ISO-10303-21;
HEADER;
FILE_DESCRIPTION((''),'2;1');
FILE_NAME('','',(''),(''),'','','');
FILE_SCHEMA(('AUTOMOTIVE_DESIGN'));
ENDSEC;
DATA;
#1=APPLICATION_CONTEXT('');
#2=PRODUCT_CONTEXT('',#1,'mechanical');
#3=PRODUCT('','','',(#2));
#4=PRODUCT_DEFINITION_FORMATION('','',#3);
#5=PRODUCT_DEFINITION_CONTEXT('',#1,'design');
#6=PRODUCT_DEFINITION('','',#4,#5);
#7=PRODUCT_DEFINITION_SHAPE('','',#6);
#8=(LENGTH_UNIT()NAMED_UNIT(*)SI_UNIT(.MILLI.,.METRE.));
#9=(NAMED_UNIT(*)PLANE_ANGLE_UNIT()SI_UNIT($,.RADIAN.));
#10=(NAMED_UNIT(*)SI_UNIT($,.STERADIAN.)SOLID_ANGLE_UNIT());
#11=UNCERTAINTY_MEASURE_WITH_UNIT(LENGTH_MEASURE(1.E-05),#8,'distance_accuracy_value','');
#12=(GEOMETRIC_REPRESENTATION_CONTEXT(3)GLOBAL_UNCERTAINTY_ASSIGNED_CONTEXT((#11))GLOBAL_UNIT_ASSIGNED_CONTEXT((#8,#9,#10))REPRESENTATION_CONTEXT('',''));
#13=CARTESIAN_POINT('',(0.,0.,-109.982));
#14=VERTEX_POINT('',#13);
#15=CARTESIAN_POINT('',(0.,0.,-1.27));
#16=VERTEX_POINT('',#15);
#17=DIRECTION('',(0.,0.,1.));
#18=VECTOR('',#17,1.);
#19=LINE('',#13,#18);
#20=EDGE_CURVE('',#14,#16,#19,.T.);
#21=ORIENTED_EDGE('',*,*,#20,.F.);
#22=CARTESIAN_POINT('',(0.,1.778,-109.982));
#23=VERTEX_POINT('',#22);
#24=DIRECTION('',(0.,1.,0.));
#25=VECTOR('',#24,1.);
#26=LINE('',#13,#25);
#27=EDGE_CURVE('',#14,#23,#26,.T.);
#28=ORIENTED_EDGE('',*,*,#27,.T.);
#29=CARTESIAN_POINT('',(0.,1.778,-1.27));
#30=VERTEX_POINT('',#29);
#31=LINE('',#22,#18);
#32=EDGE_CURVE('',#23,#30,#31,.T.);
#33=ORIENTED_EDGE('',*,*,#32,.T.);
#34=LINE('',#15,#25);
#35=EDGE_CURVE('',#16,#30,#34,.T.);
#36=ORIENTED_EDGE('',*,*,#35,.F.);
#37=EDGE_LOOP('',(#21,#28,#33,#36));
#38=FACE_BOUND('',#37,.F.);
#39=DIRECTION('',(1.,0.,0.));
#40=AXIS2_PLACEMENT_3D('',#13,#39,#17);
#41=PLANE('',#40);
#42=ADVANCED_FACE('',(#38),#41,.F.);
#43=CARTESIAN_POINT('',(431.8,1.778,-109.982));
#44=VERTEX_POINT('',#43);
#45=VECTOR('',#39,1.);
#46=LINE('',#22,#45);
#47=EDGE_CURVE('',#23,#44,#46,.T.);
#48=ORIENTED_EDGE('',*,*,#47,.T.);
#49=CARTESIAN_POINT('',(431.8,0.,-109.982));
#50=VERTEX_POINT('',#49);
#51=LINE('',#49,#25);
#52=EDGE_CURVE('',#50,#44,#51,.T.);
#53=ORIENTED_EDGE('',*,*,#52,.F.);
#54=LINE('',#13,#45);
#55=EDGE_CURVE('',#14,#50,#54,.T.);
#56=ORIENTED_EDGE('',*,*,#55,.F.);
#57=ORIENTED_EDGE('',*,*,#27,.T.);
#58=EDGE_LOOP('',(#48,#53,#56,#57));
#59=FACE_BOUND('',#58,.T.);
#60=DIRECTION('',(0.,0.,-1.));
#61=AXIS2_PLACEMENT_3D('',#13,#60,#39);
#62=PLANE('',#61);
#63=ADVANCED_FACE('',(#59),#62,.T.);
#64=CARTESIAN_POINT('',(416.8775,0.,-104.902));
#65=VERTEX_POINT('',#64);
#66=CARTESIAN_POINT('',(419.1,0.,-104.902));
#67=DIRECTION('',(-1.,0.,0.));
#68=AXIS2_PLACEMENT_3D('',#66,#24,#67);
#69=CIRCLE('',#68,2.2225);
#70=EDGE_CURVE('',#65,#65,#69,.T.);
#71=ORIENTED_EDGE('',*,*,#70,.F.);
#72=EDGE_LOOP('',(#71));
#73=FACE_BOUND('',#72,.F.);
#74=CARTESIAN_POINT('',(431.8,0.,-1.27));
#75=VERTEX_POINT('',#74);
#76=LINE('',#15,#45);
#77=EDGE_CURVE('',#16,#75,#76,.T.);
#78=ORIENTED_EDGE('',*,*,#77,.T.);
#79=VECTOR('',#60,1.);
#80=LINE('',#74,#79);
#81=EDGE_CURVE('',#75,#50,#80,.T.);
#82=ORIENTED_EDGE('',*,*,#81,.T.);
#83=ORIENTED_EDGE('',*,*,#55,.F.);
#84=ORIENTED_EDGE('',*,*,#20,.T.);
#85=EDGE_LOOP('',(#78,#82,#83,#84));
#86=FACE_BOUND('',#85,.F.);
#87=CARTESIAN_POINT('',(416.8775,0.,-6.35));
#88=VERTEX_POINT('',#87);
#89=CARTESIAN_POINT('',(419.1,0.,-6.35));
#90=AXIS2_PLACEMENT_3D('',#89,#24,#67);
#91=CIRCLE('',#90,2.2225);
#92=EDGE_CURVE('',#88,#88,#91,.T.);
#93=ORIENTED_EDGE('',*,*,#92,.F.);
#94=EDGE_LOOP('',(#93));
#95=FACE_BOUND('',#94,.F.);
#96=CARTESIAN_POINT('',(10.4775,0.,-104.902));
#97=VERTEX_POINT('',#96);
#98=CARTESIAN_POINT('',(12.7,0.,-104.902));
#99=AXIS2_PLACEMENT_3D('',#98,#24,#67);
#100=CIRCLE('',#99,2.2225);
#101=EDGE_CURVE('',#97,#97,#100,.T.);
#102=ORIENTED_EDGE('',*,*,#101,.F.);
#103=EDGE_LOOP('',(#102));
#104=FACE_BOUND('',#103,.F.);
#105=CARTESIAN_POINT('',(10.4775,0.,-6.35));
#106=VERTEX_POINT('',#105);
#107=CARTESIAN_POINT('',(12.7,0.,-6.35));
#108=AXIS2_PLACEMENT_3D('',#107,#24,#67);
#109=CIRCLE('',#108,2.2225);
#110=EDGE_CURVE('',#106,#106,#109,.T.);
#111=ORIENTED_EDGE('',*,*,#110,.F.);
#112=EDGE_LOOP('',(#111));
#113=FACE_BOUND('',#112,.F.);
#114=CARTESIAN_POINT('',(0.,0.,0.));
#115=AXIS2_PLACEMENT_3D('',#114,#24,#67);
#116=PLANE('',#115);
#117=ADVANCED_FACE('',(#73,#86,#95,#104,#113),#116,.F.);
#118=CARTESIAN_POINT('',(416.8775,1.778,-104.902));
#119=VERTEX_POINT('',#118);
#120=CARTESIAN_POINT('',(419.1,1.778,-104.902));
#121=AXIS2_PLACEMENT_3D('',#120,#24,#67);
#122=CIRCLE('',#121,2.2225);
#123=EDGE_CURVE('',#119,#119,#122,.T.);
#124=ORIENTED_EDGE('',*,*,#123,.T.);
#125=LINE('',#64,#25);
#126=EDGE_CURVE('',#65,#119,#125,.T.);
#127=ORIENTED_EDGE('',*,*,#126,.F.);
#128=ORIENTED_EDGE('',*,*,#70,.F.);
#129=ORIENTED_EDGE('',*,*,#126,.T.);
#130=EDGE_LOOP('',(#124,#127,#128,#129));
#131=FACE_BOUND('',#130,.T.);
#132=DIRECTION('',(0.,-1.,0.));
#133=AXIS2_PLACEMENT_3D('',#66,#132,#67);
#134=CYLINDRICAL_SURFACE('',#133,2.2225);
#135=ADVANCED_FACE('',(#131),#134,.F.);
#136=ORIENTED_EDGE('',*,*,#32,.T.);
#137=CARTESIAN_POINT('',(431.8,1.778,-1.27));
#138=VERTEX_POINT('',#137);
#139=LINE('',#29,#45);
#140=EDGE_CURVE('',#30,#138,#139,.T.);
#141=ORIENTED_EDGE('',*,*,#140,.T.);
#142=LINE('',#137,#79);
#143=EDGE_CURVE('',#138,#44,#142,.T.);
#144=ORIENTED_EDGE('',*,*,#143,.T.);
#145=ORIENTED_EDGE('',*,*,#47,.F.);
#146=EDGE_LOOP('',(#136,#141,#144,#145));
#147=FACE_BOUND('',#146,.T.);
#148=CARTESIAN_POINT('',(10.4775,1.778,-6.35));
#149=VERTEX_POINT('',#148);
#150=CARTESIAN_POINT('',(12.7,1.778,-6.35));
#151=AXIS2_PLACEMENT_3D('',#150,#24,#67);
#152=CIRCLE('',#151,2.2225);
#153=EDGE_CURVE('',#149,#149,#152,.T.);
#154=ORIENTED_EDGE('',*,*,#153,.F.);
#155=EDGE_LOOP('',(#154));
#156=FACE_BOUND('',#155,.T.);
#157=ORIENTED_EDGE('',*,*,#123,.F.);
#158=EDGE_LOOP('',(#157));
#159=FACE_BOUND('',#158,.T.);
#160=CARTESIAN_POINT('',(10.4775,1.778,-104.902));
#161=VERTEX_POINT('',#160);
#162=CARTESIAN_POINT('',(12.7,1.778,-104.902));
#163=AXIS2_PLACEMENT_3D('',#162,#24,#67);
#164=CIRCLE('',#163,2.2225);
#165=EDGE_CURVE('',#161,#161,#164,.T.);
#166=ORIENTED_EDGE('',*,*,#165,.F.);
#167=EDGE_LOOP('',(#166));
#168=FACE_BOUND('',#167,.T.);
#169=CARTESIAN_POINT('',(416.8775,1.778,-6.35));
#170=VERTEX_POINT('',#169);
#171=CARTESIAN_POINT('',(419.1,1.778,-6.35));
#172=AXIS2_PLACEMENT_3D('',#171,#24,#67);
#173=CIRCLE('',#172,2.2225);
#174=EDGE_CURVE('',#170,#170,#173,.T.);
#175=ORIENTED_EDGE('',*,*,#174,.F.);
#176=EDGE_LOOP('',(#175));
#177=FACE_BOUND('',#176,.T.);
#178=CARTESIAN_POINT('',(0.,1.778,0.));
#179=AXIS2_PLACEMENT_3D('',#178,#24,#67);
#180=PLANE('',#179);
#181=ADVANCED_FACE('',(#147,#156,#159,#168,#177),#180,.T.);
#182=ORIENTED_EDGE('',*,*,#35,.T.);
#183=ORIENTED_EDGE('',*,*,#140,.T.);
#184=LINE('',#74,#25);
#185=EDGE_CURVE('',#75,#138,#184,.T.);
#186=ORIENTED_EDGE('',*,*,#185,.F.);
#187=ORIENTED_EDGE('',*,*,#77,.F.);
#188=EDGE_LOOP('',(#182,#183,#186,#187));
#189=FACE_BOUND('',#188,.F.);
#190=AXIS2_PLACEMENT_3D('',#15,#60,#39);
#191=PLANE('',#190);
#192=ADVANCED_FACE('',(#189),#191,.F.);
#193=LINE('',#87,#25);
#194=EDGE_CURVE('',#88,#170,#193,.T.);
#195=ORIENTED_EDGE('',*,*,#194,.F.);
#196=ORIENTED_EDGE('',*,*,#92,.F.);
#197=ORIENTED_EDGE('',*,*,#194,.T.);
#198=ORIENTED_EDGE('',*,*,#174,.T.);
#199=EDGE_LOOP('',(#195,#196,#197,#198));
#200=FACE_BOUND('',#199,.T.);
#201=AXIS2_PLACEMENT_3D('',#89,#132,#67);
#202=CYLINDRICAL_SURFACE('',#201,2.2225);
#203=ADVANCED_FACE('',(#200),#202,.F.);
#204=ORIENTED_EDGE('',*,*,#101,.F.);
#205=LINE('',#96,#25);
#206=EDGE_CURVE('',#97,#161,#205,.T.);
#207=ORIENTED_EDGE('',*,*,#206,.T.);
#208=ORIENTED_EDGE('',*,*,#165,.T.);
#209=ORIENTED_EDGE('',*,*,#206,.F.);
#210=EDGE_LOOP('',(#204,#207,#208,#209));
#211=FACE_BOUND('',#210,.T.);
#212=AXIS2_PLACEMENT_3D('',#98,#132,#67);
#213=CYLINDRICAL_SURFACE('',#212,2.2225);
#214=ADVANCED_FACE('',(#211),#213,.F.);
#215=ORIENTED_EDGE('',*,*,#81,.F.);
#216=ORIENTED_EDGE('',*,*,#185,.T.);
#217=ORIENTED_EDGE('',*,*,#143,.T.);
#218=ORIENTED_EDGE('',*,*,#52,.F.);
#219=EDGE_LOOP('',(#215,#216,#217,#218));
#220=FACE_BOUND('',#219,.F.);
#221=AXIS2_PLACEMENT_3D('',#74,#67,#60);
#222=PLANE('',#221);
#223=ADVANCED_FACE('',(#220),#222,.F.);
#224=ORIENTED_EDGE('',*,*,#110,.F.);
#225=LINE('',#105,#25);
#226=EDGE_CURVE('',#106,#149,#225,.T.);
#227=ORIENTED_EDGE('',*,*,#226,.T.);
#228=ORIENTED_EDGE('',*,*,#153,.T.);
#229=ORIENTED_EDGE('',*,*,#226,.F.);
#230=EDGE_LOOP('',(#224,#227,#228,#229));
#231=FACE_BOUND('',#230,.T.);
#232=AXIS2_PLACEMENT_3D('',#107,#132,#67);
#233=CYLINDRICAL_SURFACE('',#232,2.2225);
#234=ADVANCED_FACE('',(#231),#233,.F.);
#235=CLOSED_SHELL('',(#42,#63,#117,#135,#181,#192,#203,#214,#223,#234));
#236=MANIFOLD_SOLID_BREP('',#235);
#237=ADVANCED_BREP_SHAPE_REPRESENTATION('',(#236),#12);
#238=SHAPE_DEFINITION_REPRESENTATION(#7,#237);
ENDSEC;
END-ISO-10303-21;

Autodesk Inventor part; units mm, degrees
ref_plane "YZ Plane" through (0, 0, 0) normal (1, 0, 0) x (0, 1, 0)
ref_plane "XZ Plane" through (0, 0, 0) normal (0, 1, 0) x (-1, 0, 0)
ref_plane "XY Plane" through (0, 0, 0) normal (0, 0, 1) x (1, 0, 0)
sketch "Sketch1" plane through (0, 0, 0) normal (0, 1, 0) x (-1, 0, 0)
  line L0 (-431.8, -1.27) -> (-431.8, -109.982)
  line L1 (0, -109.982) -> (0, -1.27)
  circle A0 centre (-12.7, -6.35) radius 2.2225
  circle A1 centre (-12.7, -104.902) radius 2.2225
  circle A2 centre (-419.1, -6.35) radius 2.2225
  circle A3 centre (-419.1, -104.902) radius 2.2225
  line L2 (0, -109.982) -> (-431.8, -109.982)
  line L3 (0, -109.982) -> (431.8, -109.982) construction
  line L4 (0, -1.27) -> (-431.8, -1.27)
  point P0 (0, 0)
  dimension "d2" = 4.445
  dimension "d3" = 4.445
  dimension "d4" = 4.445
  dimension "d5" = 4.445
  dimension "d6" = 431.8
extrude "Extrusion1" add sketch "Sketch1" along normal blind 1.778
properties part number "conveyor_backing_final"
